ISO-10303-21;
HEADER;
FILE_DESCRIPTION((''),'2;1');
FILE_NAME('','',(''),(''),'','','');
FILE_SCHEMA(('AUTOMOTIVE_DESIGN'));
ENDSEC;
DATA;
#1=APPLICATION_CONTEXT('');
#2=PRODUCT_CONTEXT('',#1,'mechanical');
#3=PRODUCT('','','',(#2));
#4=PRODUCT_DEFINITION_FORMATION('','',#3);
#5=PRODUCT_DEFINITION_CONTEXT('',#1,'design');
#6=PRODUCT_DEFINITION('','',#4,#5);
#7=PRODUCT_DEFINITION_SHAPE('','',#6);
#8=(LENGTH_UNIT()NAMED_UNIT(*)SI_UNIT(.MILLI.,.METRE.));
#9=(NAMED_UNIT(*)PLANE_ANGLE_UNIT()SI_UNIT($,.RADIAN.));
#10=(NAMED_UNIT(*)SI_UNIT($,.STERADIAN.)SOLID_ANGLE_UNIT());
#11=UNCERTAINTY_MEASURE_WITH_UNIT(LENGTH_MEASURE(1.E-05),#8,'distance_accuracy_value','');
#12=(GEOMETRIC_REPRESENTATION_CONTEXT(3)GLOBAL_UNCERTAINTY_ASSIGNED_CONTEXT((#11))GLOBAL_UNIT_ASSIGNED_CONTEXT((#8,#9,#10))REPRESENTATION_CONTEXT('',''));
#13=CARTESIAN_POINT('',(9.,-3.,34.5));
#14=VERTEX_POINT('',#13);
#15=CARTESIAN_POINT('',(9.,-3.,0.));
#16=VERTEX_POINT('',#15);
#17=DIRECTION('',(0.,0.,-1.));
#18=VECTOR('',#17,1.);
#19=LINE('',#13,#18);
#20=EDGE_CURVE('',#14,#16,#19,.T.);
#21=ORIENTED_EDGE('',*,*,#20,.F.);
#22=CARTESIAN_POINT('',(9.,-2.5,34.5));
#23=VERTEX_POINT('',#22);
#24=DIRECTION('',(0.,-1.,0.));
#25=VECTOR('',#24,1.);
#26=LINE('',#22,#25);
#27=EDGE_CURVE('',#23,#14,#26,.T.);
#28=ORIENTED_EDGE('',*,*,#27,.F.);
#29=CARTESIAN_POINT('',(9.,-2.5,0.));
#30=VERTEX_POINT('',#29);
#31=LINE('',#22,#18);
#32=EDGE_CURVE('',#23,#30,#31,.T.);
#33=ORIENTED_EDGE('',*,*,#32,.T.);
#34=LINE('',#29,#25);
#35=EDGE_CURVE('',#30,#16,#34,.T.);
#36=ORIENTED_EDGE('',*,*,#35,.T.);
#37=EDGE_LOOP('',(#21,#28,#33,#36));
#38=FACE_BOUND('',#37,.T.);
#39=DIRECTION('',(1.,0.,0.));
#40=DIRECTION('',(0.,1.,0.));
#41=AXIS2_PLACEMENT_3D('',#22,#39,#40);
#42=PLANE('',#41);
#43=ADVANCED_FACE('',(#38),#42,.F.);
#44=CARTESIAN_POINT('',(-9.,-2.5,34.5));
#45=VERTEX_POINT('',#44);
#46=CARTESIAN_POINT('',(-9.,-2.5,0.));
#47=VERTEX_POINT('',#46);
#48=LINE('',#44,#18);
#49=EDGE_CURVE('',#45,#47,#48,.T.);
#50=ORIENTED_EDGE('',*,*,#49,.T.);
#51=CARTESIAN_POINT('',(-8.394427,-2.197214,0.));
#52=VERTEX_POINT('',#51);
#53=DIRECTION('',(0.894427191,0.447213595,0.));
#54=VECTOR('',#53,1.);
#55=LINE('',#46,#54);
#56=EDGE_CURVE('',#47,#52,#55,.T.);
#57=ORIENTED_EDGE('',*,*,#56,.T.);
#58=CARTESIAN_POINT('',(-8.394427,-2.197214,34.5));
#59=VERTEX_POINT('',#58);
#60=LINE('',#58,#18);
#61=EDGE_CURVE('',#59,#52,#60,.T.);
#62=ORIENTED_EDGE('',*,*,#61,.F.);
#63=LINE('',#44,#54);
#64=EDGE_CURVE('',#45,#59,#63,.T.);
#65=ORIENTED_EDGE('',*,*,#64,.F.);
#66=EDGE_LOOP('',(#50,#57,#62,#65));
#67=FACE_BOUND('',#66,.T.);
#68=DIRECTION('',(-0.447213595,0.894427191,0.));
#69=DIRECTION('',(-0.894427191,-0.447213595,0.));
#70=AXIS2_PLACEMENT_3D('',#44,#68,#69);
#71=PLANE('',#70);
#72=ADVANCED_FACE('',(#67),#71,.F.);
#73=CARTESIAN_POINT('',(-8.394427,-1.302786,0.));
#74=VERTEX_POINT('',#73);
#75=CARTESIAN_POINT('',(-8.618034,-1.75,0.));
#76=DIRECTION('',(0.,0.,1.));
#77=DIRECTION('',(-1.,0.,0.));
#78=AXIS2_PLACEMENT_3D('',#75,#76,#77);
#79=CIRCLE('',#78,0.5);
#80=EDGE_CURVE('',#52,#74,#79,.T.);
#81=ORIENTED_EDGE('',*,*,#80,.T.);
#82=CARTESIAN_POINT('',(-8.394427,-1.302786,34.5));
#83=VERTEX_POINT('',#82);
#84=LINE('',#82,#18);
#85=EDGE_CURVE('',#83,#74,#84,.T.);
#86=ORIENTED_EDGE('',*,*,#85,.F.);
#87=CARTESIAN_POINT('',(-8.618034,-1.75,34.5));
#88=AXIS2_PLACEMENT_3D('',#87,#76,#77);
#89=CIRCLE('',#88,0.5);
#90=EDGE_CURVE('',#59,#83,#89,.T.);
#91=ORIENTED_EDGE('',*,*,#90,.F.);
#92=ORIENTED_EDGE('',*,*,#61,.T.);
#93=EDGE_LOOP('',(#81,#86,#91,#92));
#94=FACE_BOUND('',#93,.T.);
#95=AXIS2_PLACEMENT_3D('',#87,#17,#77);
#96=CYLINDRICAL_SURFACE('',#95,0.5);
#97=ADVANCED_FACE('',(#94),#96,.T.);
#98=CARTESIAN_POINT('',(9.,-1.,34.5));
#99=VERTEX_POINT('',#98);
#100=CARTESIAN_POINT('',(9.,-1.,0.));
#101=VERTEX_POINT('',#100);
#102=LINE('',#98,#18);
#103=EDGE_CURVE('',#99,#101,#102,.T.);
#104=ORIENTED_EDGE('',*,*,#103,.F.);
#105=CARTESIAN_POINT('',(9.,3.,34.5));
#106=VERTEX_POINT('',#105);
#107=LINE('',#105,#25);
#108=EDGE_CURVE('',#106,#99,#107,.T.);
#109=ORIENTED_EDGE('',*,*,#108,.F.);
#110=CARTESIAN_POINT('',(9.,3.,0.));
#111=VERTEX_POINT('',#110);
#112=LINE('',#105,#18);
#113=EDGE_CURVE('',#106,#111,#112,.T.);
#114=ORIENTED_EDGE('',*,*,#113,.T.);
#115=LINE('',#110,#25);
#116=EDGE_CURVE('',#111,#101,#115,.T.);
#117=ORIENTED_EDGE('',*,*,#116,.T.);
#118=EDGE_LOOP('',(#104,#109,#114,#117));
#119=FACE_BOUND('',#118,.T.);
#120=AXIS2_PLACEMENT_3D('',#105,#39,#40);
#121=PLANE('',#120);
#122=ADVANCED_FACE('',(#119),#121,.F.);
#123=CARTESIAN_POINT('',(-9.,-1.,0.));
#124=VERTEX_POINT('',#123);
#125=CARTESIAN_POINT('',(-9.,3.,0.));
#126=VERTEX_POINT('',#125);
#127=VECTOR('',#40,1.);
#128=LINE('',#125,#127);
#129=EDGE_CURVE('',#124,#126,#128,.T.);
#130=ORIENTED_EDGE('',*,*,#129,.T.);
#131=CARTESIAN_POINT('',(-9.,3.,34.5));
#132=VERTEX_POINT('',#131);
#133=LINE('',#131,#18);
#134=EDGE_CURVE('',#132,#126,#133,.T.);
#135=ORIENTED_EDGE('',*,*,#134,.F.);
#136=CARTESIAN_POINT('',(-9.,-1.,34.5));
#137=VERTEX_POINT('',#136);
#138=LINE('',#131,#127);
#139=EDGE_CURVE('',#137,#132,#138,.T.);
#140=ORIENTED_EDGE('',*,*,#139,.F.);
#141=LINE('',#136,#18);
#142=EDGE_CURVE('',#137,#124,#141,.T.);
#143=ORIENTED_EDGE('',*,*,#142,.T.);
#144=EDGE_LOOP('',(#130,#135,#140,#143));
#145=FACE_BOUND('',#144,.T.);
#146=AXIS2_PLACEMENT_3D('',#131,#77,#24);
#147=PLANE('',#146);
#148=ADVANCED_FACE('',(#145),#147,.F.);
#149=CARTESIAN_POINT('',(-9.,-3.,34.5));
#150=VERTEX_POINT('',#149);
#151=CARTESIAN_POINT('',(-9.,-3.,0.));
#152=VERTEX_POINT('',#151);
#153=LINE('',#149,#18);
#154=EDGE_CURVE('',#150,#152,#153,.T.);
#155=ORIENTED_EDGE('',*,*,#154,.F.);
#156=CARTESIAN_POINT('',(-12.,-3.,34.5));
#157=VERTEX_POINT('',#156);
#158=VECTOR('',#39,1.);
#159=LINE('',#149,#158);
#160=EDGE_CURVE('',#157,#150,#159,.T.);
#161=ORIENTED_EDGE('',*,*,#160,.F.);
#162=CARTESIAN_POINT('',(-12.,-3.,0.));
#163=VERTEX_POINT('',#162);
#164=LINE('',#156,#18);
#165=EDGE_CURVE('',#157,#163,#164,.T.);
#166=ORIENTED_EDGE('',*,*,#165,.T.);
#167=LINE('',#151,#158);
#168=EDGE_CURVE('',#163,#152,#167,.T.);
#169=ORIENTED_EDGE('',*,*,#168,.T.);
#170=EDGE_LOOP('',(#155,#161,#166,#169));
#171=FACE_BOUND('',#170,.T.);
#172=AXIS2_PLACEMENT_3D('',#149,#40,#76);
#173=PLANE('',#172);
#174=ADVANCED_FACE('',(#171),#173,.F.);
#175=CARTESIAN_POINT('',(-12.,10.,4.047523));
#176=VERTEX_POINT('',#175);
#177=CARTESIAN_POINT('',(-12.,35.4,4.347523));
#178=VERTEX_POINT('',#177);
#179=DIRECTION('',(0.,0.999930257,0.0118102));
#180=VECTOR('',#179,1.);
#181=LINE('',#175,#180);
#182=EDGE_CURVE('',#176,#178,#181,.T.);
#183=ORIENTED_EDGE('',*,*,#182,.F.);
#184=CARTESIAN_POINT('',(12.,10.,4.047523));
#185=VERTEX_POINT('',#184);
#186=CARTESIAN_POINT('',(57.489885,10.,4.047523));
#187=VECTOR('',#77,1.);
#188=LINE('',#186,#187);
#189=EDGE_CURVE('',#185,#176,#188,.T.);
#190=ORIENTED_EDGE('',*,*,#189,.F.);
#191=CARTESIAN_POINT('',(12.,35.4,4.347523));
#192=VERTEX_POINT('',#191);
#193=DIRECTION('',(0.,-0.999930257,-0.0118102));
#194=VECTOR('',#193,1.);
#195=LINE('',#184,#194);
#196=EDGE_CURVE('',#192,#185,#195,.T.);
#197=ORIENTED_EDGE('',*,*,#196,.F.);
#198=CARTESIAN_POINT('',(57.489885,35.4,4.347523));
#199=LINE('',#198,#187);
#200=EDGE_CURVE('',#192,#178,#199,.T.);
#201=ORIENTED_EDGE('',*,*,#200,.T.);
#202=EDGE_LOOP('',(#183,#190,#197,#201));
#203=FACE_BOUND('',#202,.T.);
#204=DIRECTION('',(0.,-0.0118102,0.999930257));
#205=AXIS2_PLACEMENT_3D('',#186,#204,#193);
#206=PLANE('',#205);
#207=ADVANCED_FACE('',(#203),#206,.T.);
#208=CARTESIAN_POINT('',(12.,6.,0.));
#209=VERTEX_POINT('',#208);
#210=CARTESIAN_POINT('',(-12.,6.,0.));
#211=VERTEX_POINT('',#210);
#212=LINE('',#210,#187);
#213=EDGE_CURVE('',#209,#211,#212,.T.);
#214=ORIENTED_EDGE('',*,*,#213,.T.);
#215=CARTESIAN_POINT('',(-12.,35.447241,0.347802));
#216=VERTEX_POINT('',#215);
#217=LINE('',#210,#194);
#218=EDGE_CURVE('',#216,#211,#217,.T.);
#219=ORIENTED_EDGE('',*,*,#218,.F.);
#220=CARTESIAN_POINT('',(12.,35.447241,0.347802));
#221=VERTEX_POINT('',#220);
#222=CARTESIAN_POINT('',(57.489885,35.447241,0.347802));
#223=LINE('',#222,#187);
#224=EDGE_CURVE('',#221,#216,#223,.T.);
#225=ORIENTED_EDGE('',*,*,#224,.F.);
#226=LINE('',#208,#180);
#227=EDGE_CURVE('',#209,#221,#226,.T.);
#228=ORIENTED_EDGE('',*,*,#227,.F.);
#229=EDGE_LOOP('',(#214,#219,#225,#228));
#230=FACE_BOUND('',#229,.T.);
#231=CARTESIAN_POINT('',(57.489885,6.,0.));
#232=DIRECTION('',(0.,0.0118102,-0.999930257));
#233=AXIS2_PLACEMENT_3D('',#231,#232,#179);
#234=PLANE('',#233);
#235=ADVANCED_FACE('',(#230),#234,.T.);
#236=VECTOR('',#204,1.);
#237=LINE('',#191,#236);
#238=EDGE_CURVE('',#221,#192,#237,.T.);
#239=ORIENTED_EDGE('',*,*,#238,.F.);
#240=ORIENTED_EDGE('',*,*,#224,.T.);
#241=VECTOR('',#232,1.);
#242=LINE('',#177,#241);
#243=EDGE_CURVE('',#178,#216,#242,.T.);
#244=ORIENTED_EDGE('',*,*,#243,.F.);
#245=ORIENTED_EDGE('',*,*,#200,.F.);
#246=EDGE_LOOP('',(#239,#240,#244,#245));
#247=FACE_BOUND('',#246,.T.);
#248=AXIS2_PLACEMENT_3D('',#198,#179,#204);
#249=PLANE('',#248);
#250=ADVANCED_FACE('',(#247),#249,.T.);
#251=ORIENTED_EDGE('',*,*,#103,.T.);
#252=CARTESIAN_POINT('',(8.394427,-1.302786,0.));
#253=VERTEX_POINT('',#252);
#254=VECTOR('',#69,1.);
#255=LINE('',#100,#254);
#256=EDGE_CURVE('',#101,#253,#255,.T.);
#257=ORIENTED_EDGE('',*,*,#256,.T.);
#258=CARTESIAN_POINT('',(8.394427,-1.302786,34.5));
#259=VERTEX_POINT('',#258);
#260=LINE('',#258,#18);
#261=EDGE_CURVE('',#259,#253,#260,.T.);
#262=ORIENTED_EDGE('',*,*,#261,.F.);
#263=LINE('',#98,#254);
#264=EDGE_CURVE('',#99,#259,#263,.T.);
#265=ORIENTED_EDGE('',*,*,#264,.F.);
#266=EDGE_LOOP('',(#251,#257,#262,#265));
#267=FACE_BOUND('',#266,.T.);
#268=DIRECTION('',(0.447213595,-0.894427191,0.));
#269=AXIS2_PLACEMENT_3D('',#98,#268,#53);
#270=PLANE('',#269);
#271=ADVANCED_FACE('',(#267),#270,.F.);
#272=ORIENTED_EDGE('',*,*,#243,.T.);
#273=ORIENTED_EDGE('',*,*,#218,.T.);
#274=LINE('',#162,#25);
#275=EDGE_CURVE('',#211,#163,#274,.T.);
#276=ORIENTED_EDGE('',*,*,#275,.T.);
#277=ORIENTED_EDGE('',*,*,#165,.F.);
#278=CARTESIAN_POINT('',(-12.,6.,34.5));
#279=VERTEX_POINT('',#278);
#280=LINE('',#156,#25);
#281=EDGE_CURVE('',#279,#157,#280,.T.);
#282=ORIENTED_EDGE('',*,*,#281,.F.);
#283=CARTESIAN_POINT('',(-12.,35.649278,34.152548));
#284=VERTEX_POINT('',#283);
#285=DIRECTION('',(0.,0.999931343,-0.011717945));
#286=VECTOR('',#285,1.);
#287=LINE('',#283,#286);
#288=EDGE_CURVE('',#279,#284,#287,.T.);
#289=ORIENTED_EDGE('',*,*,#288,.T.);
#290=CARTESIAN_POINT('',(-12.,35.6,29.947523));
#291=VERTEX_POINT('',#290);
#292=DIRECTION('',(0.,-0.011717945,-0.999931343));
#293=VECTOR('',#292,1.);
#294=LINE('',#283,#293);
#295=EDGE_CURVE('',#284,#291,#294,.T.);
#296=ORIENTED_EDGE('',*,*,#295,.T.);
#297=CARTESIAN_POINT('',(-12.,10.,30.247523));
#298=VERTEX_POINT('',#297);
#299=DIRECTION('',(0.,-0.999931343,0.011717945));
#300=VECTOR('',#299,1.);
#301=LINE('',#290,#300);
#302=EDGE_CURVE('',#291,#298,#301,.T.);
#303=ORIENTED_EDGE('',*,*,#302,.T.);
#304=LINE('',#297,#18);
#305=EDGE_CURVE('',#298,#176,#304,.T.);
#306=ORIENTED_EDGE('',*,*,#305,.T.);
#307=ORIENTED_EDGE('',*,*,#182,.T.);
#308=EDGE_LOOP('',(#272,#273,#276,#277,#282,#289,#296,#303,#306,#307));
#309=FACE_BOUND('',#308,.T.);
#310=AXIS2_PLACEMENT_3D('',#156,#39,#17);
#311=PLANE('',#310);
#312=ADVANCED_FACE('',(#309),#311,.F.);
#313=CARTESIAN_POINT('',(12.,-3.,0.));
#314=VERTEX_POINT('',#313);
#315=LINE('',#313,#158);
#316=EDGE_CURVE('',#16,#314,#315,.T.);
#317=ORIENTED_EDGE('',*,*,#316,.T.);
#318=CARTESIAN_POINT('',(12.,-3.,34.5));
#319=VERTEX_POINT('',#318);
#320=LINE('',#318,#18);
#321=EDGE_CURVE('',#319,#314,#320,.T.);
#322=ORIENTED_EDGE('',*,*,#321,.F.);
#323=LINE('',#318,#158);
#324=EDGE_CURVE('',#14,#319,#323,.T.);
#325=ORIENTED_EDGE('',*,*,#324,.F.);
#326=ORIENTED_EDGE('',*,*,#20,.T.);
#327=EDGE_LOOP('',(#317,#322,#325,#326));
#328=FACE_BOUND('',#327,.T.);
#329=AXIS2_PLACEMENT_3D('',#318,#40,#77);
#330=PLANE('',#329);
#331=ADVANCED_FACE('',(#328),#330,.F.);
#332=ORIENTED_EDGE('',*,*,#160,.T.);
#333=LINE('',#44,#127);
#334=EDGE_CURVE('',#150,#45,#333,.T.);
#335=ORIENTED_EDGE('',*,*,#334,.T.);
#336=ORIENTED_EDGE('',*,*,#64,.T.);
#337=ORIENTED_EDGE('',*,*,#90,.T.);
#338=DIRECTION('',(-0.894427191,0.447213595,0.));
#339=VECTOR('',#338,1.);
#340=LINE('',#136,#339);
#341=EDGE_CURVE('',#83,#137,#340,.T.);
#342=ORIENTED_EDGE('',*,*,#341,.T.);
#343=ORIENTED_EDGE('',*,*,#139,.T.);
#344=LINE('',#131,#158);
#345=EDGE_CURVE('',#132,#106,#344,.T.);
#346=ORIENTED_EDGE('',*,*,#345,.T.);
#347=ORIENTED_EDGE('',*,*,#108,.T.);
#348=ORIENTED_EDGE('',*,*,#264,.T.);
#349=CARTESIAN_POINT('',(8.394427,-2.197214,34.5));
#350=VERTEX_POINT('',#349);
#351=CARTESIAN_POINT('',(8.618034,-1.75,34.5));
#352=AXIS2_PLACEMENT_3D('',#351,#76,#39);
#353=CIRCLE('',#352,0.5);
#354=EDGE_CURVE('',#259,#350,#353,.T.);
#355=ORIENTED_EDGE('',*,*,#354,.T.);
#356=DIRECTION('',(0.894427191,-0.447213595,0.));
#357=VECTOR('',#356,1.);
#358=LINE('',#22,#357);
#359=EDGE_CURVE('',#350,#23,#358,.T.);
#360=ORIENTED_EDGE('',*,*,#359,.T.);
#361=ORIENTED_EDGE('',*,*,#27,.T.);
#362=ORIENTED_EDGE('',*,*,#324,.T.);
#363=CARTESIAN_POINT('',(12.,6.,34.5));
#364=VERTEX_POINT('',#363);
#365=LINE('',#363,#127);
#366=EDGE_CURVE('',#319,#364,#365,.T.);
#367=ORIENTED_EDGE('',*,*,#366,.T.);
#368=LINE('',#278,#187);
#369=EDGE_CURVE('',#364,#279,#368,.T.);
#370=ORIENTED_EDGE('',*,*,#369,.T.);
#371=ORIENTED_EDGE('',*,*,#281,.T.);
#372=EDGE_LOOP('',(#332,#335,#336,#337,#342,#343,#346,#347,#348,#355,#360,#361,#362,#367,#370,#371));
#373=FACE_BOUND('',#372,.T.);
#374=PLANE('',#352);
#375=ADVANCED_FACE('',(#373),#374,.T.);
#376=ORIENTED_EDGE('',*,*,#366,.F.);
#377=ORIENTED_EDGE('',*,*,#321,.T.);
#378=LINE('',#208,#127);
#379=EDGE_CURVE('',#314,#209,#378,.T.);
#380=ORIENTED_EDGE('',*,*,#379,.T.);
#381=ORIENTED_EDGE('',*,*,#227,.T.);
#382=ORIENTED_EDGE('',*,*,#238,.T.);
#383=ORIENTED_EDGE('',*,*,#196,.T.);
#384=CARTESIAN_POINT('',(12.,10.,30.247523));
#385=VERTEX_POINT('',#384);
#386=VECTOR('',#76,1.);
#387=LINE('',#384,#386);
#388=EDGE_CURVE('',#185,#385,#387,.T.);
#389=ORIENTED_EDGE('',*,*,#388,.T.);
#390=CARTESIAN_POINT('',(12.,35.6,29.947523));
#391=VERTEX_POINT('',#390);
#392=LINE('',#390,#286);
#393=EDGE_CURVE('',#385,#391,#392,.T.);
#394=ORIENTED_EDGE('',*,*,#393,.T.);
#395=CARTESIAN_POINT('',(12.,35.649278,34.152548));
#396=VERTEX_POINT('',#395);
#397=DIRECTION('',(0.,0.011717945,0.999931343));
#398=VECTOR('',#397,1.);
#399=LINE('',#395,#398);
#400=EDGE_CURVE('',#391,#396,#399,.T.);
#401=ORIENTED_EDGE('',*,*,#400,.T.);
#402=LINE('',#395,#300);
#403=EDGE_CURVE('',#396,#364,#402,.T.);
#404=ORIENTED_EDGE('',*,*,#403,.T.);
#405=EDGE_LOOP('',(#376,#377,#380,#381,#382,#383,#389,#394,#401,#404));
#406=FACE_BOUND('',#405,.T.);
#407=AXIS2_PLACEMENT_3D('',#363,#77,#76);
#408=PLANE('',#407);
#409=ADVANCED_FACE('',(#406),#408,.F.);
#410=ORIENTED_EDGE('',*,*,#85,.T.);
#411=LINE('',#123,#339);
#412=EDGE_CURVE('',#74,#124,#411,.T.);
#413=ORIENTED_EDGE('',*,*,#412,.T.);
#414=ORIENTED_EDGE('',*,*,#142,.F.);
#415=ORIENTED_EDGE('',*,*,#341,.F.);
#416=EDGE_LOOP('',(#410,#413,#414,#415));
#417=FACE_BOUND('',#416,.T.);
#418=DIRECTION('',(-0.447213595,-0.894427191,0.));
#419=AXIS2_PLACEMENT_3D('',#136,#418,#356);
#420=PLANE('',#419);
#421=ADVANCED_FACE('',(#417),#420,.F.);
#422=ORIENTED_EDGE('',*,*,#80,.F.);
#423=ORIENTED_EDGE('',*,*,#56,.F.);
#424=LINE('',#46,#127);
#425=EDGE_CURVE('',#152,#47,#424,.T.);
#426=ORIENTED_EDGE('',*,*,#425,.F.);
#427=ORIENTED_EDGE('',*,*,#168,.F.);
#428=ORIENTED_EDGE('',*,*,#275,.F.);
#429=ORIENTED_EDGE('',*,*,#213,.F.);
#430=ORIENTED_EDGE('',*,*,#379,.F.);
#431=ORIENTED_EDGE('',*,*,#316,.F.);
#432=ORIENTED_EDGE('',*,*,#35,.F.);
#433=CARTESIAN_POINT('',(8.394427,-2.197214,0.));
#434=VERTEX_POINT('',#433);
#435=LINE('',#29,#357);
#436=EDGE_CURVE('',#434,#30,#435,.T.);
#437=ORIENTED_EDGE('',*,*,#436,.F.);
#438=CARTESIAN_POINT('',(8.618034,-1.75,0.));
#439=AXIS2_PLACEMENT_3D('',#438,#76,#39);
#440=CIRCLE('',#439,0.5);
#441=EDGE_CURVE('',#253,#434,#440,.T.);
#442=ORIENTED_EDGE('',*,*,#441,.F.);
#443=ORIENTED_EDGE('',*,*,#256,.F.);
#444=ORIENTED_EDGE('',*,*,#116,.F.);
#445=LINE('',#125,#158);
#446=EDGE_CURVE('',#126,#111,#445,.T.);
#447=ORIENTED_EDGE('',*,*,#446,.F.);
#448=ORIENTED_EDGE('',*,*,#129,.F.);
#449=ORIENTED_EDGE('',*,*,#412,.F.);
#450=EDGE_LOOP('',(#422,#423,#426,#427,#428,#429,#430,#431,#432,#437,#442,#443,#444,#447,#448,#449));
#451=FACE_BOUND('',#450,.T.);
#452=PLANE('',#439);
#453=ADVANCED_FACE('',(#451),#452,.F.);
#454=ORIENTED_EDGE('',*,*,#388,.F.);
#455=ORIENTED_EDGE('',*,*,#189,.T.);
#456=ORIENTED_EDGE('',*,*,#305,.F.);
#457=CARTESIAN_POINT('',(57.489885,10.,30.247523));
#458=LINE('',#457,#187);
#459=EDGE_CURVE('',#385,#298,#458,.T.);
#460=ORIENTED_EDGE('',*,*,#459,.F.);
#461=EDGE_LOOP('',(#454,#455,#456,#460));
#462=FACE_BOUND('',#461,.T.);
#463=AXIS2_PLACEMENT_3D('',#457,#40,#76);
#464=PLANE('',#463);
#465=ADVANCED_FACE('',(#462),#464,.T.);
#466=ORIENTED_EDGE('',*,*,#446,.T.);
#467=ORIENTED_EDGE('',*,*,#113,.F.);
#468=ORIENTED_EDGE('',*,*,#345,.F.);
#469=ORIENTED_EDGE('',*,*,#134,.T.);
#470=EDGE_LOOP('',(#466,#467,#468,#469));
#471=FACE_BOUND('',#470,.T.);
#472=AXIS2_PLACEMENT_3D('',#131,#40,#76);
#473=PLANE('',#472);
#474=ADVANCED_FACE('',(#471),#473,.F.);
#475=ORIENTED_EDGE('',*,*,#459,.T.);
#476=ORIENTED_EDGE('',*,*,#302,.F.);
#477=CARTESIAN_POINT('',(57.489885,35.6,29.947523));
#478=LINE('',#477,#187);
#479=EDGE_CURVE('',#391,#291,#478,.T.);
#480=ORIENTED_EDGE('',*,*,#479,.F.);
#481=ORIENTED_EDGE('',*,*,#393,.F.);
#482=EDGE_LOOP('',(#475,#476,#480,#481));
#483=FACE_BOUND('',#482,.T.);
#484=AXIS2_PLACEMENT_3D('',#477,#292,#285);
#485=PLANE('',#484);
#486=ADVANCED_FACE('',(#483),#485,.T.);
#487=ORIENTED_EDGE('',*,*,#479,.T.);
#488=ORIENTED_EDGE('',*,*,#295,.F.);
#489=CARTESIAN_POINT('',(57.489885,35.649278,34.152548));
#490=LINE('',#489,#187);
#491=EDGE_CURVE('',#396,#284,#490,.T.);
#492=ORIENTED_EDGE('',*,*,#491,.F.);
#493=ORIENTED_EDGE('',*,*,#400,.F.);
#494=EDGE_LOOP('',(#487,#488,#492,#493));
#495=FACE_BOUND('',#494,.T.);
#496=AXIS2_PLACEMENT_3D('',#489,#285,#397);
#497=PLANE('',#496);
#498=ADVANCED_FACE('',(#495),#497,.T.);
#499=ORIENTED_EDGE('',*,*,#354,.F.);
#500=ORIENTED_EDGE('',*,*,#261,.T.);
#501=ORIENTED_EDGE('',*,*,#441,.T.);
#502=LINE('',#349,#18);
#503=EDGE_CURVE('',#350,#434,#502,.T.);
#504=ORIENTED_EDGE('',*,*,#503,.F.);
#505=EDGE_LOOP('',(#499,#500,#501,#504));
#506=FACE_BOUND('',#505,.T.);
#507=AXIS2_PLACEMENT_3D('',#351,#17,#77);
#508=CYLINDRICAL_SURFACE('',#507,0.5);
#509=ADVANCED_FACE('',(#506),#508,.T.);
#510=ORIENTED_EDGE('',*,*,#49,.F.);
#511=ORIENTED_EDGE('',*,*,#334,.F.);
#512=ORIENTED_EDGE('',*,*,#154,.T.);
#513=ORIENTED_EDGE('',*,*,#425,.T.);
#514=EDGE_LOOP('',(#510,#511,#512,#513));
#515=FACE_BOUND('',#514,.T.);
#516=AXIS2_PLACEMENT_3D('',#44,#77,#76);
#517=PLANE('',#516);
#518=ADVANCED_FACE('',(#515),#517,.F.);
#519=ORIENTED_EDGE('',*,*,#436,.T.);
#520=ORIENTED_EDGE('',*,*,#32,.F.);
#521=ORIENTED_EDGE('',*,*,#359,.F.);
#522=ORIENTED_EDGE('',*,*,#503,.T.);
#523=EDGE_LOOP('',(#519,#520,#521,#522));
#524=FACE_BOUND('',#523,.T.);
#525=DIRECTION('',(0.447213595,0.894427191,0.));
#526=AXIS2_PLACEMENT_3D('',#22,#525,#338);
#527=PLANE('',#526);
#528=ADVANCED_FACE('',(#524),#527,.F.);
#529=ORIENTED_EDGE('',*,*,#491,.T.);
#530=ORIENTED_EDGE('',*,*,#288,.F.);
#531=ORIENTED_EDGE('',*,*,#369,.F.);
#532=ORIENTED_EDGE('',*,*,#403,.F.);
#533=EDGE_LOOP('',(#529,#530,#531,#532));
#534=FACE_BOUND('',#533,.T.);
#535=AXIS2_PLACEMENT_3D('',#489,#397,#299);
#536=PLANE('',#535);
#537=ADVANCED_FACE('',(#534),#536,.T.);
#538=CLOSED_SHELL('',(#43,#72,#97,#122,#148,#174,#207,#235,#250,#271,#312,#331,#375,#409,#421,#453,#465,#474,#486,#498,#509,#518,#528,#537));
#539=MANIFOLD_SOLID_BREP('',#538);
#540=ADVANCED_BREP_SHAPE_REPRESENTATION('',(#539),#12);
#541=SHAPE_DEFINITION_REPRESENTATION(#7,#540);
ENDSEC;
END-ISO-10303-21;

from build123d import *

# Parameters (mm, degrees)
BOSS_EXTRUDE1_DEPTH = 34.5
BOSS_EXTRUDE2_DEPTH = 24


with BuildPart() as part:
    # Sketch2 → Boss-Extrude1 (new body)
    with BuildSketch(Plane.XY):
        with BuildLine():
            Line((-9, 3), (9, 3))
            Line((9, 3), (9, -1))
            Line((9, -1), (8.394427191, -1.302786405))
            ThreePointArc((8.394427191, -1.302786405), (8.118033989, -1.75), (8.394427191, -2.197213595))
            Line((8.394427191, -2.197213595), (9, -2.5))
            Line((9, -2.5), (9, -3))
            Line((9, -3), (12, -3))
            Line((12, -3), (12, 6))
            Line((12, 6), (-12, 6))
            Line((-12, 6), (-12, -3))
            Line((-12, -3), (-9, -3))
            Line((-9, -3), (-9, -2.5))
            Line((-9, -2.5), (-8.394427191, -2.197213595))
            ThreePointArc((-8.394427191, -2.197213595), (-8.118033989, -1.75), (-8.394427191, -1.302786405))
            Line((-8.394427191, -1.302786405), (-9, -1))
            Line((-9, -1), (-9, 3))
        make_face()
    extrude(amount=BOSS_EXTRUDE1_DEPTH)

    # Sketch3 → Boss-Extrude2 (add)
    with BuildSketch(Plane.ZY.offset(12)):
        Polygon((29.947523085, 35.6), (30.247523085, 10), (4.047523085, 10), (4.347523085, 35.4), (0.347802057, 35.4472408), (0, 6), (34.5, 6), (34.152547528, 35.64927763), align=None)
    extrude(amount=-BOSS_EXTRUDE2_DEPTH)


solid = part.part
